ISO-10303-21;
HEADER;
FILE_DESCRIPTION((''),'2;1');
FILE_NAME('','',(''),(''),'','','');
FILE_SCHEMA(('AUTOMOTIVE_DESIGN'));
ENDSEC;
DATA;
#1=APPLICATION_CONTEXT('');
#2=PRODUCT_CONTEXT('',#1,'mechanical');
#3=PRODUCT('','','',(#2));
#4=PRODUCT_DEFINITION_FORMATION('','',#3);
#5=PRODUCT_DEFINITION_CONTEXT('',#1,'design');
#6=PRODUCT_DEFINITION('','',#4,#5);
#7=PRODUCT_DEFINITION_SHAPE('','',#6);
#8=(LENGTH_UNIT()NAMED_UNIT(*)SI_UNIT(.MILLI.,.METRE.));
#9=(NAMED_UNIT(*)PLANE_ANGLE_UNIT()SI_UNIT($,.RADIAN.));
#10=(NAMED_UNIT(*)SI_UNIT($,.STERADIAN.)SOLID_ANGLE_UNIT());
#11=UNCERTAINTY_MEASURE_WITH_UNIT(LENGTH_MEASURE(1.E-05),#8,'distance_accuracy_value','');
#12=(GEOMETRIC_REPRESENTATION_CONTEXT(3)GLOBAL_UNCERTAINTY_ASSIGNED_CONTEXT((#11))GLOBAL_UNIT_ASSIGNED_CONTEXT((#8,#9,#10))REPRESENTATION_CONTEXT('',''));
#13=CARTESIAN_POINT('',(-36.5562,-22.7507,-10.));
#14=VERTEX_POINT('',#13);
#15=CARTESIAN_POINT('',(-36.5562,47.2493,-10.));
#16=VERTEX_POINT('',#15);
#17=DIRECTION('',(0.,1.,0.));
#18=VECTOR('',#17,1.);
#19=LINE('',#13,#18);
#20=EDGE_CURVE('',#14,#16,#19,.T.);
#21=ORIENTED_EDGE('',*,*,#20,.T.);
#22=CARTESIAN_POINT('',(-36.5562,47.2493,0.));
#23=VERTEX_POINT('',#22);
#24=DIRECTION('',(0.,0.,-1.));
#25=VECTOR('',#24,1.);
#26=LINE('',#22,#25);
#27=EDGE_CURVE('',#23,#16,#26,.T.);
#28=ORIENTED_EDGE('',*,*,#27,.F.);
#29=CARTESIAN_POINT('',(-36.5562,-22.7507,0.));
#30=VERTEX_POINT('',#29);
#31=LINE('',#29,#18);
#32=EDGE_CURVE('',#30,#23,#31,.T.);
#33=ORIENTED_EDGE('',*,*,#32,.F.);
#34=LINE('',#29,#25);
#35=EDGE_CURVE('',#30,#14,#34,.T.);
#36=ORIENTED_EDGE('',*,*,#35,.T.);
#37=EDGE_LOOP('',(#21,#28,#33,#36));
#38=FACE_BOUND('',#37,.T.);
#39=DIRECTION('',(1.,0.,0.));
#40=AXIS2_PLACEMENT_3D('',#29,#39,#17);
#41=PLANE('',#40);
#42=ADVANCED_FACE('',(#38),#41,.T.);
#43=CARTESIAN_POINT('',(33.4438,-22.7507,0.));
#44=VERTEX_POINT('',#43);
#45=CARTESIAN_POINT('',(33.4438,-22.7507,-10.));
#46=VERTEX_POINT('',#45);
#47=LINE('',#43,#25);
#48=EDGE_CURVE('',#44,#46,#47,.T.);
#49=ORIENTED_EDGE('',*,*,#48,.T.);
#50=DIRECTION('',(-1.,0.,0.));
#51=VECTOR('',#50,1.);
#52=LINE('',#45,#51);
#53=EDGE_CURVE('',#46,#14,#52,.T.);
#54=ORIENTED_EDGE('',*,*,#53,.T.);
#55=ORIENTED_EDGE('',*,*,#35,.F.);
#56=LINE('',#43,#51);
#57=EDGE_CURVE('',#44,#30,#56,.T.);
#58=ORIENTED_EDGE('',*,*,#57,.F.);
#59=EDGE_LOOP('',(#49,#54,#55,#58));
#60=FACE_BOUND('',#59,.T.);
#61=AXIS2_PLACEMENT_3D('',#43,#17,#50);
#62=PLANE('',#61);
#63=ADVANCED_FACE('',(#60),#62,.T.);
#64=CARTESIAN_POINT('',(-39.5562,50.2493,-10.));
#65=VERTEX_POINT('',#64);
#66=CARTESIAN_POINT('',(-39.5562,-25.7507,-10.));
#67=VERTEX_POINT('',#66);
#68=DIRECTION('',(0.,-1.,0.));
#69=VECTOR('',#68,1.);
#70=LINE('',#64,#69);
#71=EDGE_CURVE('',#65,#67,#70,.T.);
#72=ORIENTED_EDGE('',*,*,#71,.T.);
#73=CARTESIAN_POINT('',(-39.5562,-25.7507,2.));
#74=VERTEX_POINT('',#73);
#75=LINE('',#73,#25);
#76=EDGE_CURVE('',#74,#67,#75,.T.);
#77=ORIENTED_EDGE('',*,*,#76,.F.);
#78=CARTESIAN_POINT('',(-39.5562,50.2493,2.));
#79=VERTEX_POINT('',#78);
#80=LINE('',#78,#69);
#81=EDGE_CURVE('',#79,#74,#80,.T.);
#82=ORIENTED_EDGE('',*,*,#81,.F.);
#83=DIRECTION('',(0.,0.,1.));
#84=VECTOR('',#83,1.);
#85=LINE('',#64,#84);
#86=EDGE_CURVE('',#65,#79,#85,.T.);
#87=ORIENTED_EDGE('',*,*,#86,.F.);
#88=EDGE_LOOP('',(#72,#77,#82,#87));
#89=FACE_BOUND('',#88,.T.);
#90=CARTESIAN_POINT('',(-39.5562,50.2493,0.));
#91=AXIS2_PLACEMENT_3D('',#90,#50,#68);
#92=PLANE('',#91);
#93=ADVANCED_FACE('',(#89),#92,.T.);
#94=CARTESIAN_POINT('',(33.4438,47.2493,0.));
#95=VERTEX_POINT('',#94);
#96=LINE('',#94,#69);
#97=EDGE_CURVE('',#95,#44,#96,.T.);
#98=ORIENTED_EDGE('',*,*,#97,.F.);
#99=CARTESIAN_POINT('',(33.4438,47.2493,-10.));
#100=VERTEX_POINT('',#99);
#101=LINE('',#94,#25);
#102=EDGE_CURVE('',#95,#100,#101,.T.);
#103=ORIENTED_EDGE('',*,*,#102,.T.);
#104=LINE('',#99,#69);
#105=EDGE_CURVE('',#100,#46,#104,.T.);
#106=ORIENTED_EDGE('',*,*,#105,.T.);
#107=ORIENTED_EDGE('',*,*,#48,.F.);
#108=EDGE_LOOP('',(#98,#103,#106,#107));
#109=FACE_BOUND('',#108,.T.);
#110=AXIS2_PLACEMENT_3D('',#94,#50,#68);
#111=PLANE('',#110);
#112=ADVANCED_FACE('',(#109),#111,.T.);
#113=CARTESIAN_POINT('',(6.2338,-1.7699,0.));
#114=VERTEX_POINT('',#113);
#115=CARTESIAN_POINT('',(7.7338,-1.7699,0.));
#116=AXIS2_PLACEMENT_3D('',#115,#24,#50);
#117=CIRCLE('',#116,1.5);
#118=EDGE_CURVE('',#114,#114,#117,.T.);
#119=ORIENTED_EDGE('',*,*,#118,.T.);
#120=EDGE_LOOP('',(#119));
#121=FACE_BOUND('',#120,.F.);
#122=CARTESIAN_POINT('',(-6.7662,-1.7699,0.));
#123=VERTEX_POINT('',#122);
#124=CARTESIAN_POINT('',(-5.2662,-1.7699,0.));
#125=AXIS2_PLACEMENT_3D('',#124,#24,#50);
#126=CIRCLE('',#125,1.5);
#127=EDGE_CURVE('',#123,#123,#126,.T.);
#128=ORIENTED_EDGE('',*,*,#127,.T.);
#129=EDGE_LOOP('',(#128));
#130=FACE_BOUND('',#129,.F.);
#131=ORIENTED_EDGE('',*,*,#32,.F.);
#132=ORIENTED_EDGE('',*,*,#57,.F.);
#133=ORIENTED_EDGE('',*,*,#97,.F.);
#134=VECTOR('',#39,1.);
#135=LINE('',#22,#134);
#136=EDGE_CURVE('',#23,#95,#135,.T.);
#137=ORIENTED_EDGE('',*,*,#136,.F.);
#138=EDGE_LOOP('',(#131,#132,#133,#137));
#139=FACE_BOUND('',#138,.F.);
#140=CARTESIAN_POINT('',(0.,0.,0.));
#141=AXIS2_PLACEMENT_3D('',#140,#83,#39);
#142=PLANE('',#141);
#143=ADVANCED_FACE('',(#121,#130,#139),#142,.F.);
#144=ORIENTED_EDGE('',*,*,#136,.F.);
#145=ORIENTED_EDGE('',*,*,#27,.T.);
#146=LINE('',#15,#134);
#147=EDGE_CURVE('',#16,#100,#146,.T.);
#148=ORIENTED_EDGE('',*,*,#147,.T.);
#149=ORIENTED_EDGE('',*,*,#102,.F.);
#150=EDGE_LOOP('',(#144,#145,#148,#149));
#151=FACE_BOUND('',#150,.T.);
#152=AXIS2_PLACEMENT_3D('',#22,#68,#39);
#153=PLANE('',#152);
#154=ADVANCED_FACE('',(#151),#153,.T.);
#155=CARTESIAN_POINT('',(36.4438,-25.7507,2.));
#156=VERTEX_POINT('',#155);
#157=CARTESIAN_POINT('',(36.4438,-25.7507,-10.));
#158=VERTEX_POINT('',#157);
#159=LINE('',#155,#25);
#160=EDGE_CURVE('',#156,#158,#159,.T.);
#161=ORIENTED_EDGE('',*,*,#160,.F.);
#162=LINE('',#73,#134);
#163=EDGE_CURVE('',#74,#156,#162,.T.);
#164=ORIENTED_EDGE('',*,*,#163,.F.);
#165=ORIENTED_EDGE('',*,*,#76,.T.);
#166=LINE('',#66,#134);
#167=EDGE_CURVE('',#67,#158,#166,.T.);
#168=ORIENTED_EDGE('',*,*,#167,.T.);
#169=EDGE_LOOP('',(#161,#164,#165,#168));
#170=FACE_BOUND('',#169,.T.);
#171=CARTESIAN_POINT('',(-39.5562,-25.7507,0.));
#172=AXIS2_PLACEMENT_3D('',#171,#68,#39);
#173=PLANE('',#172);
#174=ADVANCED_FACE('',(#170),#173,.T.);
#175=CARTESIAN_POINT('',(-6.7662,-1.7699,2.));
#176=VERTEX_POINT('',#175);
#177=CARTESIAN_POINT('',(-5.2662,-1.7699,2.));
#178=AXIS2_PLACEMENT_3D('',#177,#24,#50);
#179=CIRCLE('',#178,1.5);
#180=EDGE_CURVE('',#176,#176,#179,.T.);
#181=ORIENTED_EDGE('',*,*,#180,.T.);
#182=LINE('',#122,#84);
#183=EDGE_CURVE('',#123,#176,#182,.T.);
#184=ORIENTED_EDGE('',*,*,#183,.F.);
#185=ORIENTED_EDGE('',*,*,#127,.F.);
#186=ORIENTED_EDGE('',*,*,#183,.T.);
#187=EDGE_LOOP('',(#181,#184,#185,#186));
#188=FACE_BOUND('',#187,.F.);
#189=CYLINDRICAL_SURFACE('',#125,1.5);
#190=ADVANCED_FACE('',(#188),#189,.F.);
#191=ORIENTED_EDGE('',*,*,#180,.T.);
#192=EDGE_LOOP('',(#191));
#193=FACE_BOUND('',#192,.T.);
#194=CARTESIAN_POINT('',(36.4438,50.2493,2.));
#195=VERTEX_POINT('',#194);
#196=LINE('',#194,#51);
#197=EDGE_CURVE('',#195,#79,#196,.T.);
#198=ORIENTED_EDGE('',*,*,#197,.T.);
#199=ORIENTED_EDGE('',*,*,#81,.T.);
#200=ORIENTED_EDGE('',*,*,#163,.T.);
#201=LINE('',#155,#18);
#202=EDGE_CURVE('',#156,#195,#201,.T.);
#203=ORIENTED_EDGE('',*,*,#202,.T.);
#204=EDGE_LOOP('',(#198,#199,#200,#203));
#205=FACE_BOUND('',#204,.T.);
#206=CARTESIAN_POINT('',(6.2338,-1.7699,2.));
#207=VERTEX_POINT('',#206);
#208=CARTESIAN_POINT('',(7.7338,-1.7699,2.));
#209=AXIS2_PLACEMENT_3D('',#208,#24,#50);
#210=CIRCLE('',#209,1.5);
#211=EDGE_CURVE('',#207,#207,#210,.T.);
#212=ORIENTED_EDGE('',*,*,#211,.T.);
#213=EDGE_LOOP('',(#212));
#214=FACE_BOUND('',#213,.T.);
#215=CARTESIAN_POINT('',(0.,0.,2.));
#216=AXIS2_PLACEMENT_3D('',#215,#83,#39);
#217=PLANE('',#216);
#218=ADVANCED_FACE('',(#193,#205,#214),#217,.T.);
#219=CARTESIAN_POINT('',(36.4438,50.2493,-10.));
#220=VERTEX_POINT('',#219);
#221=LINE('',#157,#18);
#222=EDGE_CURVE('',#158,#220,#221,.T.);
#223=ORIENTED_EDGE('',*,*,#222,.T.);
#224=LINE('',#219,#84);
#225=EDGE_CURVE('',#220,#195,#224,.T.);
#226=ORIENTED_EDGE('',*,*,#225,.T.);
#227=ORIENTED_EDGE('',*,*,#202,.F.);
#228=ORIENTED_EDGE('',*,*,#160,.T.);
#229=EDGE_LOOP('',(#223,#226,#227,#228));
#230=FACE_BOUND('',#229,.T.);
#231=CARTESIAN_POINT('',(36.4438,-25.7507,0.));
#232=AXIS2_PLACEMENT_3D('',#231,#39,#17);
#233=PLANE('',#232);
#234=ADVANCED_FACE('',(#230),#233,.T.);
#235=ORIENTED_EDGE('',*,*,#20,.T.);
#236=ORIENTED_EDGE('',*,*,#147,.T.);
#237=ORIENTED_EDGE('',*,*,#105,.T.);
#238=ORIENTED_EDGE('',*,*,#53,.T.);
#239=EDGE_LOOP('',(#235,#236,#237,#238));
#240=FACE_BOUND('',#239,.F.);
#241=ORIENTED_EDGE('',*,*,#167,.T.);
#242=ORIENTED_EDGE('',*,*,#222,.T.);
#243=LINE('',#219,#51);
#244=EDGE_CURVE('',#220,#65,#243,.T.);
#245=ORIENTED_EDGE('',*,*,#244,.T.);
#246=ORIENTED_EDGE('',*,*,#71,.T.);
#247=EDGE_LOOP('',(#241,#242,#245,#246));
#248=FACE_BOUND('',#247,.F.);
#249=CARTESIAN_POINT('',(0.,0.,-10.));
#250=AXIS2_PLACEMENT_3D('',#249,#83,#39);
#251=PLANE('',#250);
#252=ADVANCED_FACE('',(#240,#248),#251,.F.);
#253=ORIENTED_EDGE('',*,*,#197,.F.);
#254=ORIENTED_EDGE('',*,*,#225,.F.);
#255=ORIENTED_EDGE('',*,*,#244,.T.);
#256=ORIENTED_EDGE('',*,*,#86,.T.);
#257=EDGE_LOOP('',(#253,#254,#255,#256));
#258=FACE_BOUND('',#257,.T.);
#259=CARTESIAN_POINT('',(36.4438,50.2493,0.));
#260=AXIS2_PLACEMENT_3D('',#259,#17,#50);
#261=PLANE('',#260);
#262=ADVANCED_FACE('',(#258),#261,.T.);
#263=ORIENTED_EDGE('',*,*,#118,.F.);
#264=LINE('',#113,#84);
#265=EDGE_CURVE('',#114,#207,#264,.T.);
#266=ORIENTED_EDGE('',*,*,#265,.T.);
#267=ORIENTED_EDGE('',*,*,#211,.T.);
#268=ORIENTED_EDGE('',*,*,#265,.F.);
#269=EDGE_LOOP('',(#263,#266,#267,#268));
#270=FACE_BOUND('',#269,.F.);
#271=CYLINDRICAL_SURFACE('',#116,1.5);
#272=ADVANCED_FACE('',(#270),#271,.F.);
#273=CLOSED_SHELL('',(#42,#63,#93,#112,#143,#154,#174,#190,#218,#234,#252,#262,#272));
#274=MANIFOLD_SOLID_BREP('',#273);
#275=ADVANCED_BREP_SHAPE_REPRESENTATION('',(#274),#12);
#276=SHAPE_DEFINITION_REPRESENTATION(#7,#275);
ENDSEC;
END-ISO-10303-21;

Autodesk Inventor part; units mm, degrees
ref_plane "YZ Plane" through (0, 0, 0) normal (1, 0, 0) x (0, 1, 0)
ref_plane "XZ Plane" through (0, 0, 0) normal (0, 1, 0) x (-1, 0, 0)
ref_plane "XY Plane" through (0, 0, 0) normal (0, 0, 1) x (1, 0, 0)
sketch "Boceto4" plane through (0, 0, 0) normal (0, 0, 1) x (1, 0, 0)
  circle A0 centre (-1.0562, 12.2493) radius 5 projected
  line L0 (33.4438, -22.7507) -> (-36.5562, -22.7507) projected
  line L1 (33.4438, 47.2493) -> (33.4438, -22.7507) projected
  line L2 (-36.5562, 47.2493) -> (33.4438, 47.2493) projected
  line L3 (-36.5562, -22.7507) -> (-36.5562, 47.2493) projected
  circle A1 centre (21.3438, 12.2493) radius 3.7 projected
  circle A2 centre (-23.4562, 12.2493) radius 3.7 projected
  line L4 (36.4438, 50.2493) -> (-39.5562, 50.2493) projected
  line L5 (-39.5562, 50.2493) -> (-39.5562, -25.7507) projected
  line L6 (-39.5562, -25.7507) -> (36.4438, -25.7507) projected
  line L7 (36.4438, -25.7507) -> (36.4438, 50.2493) projected
  line L8 (33.4438, -22.7507) -> (-36.5562, -22.7507) projected
  line L9 (-36.5562, -22.7507) -> (-36.5562, 47.2493) projected
  line L10 (-36.5562, 47.2493) -> (33.4438, 47.2493) projected
  line L11 (33.4438, 47.2493) -> (33.4438, -22.7507) projected
  point P0 (0, 0)
extrude "Extrusión4" add sketch "Boceto4" against normal blind 10 contours L7 L6 L5 L4
sketch "Boceto5" plane through (0, 0, 0) normal (0, 0, 1) x (1, 0, 0)
  line L0 (-39.5562, 50.2493) -> (-39.5562, -25.7507) projected
  line L1 (-39.5562, -25.7507) -> (36.4438, -25.7507) projected
  line L2 (36.4438, -25.7507) -> (36.4438, 50.2493) projected
  line L3 (36.4438, 50.2493) -> (-39.5562, 50.2493) projected
  line L4 (-36.5562, -22.7507) -> (-36.5562, 47.2493) projected
  line L5 (-36.5562, 47.2493) -> (33.4438, 47.2493) projected
  line L6 (33.4438, 47.2493) -> (33.4438, -22.7507) projected
  line L7 (33.4438, -22.7507) -> (-36.5562, -22.7507) projected
  circle A0 centre (-1.0562, 12.2493) radius 5 projected
  line L8 (33.4438, -22.7507) -> (-36.5562, -22.7507) projected
  line L9 (33.4438, 47.2493) -> (33.4438, -22.7507) projected
  line L10 (-36.5562, 47.2493) -> (33.4438, 47.2493) projected
  line L11 (-36.5562, -22.7507) -> (-36.5562, 47.2493) projected
  circle A1 centre (21.3438, 12.2493) radius 3.7 projected
  circle A2 centre (-23.4562, 12.2493) radius 3.7 projected
  point P0 (0, 0)
extrude "Extrusión5" add sketch "Boceto5" along normal blind 2 contours L3 L2 L1 L0 | L4 L5 L6 L7
sketch "Boceto6" plane through (0, 0, 0) normal (0, 0, -1) x (-1, 0, 0)
  line L0 (39.5562, 50.2493) -> (-36.4438, 50.2493) projected
  line L1 (-36.4438, 50.2493) -> (-36.4438, -25.7507) projected
  line L2 (-36.4438, -25.7507) -> (39.5562, -25.7507) projected
  line L3 (39.5562, -25.7507) -> (39.5562, 50.2493) projected
  circle A0 centre (1.0562, 12.2493) radius 5 projected
  circle A1 centre (-21.3438, 12.2493) radius 3.7 projected
  circle A2 centre (23.4562, 12.2493) radius 3.7 projected
  circle A3 centre (5.2662, -1.7699) radius 1.5 projected
  circle A4 centre (-7.7338, -1.7699) radius 1.5 projected
  point P0 (0, 0)
extrude "Extrusión6" add sketch "Boceto6" against normal blind 2 contours A0 | A1 | A2
sketch "Boceto8" plane through (0, 0, 0) normal (0, 0, -1) x (-1, 0, 0)
  circle A0 centre (5.2662, -1.7699) radius 1.5 projected
  circle A1 centre (-7.7338, -1.7699) radius 1.5 projected
  point P0 (0, 0)
extrude "Extrusión7" cut sketch "Boceto8" against normal blind 2
properties part number "sensor_estructura"
